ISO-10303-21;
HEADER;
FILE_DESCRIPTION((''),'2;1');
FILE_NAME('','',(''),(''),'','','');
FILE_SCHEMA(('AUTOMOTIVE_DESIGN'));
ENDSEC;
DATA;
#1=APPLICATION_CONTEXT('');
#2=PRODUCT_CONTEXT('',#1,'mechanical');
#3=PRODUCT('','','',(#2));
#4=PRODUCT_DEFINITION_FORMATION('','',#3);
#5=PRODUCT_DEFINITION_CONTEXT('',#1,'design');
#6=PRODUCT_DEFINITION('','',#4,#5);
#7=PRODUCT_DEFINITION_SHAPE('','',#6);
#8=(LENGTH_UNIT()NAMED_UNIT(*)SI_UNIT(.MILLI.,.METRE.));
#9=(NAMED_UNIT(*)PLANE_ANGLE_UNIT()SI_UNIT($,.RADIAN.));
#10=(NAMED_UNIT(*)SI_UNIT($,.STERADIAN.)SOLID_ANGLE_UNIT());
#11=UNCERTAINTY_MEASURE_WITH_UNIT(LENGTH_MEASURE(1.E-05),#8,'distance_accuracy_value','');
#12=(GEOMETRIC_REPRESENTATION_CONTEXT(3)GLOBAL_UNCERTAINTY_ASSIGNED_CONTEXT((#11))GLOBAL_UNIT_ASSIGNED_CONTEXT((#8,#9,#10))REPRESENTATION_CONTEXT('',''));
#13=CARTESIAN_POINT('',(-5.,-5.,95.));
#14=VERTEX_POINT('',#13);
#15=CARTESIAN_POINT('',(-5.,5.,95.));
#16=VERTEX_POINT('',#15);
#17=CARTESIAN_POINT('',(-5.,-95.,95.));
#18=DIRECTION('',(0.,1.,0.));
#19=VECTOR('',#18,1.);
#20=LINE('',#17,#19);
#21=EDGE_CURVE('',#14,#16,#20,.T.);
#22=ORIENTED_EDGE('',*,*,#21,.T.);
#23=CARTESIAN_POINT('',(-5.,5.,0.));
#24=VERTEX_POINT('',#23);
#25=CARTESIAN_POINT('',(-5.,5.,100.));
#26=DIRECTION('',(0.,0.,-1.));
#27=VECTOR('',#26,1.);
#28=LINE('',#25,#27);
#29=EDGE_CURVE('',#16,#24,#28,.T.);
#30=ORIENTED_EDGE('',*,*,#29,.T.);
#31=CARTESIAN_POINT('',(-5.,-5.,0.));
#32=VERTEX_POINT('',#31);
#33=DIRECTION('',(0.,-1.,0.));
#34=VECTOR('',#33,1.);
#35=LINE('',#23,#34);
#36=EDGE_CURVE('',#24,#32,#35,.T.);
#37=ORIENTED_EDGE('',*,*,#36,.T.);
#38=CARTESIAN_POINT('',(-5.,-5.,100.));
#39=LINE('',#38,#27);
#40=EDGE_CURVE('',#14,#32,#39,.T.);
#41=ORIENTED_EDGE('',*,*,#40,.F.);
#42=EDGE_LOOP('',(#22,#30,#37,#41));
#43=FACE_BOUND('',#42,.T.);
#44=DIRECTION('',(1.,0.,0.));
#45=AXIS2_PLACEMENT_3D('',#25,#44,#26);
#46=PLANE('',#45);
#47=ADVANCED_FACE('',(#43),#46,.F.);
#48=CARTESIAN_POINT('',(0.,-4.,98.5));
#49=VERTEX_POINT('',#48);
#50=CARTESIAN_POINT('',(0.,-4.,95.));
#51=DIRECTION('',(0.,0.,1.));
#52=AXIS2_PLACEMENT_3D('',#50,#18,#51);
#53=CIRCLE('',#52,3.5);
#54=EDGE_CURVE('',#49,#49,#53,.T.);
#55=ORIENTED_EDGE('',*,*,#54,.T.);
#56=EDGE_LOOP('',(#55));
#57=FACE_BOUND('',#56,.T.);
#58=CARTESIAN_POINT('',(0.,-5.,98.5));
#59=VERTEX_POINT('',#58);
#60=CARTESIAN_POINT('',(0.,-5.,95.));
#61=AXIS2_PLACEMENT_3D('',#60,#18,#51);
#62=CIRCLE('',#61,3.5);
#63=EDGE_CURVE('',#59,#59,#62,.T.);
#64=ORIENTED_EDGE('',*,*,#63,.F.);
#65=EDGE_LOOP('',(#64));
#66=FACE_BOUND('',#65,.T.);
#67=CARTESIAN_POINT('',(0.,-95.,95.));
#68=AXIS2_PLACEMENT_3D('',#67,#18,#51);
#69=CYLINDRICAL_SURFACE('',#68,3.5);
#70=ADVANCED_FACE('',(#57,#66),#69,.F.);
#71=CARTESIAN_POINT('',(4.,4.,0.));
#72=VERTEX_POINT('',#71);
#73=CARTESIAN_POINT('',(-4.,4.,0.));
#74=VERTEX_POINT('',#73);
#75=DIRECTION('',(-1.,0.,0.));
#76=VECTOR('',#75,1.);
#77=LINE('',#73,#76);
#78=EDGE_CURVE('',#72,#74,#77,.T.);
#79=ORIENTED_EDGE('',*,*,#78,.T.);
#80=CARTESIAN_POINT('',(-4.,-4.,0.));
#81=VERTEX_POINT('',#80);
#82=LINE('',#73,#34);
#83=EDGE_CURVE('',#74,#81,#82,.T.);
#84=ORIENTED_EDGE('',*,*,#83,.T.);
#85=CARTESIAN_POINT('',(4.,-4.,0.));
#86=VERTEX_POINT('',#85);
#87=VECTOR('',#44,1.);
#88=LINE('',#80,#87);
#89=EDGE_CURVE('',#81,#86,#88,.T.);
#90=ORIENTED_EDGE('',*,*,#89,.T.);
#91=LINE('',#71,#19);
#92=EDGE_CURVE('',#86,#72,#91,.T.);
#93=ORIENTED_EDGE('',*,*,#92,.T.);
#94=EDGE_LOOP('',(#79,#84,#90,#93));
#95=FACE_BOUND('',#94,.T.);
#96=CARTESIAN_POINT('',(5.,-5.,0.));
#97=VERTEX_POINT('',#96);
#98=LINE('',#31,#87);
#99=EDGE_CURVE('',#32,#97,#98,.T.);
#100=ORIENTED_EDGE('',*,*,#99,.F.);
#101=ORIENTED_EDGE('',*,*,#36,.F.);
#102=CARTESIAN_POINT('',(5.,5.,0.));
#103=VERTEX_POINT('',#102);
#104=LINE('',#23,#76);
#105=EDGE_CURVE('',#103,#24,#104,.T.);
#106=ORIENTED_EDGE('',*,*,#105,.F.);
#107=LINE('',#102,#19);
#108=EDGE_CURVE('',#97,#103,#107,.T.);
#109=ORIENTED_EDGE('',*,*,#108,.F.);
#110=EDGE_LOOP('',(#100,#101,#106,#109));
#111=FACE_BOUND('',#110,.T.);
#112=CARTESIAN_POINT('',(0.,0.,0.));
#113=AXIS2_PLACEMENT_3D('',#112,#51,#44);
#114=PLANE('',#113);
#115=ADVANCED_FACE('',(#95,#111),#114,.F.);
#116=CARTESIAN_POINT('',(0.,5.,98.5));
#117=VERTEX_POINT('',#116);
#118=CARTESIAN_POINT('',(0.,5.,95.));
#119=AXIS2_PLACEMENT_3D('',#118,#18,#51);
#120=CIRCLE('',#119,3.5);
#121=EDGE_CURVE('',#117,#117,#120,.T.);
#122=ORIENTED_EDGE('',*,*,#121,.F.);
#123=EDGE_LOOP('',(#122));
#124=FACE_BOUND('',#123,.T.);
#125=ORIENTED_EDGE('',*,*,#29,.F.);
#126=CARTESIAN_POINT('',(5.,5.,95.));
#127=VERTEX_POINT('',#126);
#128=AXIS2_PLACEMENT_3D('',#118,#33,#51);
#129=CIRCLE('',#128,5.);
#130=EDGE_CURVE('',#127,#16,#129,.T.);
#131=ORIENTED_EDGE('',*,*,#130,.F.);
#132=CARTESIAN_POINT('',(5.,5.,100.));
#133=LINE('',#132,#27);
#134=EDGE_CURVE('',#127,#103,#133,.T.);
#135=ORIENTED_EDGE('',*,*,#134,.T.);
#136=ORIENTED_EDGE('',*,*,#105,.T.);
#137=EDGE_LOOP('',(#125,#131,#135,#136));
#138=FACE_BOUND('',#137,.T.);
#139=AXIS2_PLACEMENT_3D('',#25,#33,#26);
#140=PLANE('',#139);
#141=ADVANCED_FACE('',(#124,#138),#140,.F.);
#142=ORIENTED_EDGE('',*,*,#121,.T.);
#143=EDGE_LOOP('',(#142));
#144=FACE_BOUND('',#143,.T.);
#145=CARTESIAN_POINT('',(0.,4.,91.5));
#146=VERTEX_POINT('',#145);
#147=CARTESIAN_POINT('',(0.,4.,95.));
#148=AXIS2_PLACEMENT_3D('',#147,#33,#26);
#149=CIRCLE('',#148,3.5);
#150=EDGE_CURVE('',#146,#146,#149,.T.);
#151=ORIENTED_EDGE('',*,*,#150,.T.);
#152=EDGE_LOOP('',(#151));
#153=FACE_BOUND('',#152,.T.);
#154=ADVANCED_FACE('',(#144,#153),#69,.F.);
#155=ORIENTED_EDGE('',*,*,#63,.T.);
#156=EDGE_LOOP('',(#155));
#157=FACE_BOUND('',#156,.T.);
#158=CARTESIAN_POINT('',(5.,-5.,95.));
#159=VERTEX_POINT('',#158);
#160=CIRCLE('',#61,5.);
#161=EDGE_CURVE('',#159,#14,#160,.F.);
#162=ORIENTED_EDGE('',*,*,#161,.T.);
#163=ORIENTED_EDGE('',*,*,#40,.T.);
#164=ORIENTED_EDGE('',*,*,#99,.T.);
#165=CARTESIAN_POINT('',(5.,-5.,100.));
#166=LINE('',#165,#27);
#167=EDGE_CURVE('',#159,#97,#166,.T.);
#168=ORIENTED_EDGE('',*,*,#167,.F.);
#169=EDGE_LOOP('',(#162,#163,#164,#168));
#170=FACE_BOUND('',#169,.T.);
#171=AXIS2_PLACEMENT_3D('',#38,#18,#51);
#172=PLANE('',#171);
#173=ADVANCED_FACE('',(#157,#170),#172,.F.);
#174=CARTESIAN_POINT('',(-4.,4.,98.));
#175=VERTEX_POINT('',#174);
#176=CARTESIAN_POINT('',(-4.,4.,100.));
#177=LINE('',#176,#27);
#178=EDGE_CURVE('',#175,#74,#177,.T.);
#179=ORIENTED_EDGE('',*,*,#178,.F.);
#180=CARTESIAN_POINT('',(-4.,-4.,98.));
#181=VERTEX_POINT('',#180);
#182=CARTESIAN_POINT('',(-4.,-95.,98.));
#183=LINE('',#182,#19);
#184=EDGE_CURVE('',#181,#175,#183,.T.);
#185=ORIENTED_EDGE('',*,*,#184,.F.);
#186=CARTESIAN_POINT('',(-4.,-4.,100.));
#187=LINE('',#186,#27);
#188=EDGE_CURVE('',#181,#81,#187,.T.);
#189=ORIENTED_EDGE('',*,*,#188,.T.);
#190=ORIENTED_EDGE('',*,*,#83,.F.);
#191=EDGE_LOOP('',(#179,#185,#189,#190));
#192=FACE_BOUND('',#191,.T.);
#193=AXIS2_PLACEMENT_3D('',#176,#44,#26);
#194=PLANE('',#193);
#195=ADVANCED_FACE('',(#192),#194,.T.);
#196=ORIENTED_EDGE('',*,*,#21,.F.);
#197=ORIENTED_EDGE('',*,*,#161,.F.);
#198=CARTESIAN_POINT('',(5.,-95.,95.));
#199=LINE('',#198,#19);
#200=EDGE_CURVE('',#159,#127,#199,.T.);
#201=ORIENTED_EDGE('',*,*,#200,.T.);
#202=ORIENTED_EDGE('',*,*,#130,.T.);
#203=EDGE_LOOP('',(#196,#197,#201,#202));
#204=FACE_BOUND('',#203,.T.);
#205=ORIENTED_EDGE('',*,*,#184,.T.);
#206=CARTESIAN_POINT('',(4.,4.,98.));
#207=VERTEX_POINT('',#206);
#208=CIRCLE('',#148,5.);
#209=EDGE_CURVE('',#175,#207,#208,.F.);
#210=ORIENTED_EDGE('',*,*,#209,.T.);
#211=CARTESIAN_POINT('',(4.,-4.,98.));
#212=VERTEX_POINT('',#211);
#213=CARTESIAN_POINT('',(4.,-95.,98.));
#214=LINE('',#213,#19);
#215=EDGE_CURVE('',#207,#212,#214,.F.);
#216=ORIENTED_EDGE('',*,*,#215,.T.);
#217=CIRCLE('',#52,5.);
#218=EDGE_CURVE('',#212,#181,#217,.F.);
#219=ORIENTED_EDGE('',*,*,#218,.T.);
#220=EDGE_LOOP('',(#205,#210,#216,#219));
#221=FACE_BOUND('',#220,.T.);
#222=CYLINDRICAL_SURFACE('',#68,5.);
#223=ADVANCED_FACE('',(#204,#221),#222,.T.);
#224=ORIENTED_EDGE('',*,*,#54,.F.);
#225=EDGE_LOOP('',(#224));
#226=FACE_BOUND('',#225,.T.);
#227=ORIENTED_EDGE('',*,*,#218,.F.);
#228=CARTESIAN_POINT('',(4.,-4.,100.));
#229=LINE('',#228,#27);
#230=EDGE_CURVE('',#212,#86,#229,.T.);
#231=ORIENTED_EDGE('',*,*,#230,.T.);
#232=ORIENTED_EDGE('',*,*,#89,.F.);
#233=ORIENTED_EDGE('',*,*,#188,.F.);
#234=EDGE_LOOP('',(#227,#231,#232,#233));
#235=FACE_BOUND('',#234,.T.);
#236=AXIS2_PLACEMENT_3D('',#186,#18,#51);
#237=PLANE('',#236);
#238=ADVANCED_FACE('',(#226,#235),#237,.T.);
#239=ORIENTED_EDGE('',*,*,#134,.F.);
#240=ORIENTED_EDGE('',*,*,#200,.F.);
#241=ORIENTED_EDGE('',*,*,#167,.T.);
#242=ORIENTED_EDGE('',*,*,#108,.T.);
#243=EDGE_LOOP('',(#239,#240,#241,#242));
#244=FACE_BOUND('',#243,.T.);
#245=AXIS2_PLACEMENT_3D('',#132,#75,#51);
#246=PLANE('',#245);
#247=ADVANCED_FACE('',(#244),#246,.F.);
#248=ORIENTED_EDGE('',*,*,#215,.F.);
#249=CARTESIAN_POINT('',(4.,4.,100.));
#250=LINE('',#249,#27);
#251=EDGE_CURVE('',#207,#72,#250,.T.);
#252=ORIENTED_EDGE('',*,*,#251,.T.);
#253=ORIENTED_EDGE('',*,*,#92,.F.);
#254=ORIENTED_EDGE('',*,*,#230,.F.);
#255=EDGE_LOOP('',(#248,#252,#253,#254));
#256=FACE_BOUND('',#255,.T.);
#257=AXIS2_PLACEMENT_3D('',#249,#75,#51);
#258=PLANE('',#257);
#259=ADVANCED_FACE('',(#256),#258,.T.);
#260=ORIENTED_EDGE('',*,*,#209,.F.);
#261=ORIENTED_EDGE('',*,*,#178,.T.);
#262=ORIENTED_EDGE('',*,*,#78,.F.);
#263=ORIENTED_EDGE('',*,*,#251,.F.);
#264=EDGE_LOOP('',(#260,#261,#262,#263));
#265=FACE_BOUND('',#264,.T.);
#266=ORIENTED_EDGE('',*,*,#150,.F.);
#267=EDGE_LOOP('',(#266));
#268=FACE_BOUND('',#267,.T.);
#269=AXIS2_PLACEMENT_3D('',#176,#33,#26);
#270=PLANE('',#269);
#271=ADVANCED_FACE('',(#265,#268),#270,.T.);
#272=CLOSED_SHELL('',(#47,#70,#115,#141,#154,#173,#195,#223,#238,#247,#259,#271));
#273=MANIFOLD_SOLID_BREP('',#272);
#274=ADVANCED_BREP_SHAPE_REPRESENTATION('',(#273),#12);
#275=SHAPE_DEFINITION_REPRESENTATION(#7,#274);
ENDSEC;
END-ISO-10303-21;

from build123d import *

# Parameters (mm, degrees)
SKETCH_1_W          = 10
SKETCH_1_H          = 10
SKETCH_1_W_2        = 8
SKETCH_1_H_2        = 8
EXTRUDE_1_DEPTH     = 100
SKETCH_2_R          = 3.5
CUT_EXTRUDE_1_DEPTH = 100


with BuildPart() as part:
    # ｽｹｯﾁ1 → ﾎﾞｽ - 押し出し1 (new body)
    with BuildSketch(Plane.XY):
        Rectangle(SKETCH_1_W, SKETCH_1_H)
        Rectangle(SKETCH_1_W_2, SKETCH_1_H_2, mode=Mode.SUBTRACT)
    extrude(amount=EXTRUDE_1_DEPTH)

    # ｽｹｯﾁ2 → ｶｯﾄ - 押し出し1 (cut)
    with BuildSketch(Plane(origin=(0, 5, 0), x_dir=(1, 0, 0), z_dir=(0, 1, 0))):
        with Locations(Location((0, -95, 0), (0, 0, 270))):
            Circle(SKETCH_2_R)
        with BuildLine():
            Line((-5, -95), (-5, -103))
            Line((-5, -103), (5, -103))
            Line((5, -103), (5, -95))
            ThreePointArc((5, -95), (0, -100), (-5, -95))
        make_face()
    extrude(amount=-CUT_EXTRUDE_1_DEPTH, mode=Mode.SUBTRACT)


solid = part.part
